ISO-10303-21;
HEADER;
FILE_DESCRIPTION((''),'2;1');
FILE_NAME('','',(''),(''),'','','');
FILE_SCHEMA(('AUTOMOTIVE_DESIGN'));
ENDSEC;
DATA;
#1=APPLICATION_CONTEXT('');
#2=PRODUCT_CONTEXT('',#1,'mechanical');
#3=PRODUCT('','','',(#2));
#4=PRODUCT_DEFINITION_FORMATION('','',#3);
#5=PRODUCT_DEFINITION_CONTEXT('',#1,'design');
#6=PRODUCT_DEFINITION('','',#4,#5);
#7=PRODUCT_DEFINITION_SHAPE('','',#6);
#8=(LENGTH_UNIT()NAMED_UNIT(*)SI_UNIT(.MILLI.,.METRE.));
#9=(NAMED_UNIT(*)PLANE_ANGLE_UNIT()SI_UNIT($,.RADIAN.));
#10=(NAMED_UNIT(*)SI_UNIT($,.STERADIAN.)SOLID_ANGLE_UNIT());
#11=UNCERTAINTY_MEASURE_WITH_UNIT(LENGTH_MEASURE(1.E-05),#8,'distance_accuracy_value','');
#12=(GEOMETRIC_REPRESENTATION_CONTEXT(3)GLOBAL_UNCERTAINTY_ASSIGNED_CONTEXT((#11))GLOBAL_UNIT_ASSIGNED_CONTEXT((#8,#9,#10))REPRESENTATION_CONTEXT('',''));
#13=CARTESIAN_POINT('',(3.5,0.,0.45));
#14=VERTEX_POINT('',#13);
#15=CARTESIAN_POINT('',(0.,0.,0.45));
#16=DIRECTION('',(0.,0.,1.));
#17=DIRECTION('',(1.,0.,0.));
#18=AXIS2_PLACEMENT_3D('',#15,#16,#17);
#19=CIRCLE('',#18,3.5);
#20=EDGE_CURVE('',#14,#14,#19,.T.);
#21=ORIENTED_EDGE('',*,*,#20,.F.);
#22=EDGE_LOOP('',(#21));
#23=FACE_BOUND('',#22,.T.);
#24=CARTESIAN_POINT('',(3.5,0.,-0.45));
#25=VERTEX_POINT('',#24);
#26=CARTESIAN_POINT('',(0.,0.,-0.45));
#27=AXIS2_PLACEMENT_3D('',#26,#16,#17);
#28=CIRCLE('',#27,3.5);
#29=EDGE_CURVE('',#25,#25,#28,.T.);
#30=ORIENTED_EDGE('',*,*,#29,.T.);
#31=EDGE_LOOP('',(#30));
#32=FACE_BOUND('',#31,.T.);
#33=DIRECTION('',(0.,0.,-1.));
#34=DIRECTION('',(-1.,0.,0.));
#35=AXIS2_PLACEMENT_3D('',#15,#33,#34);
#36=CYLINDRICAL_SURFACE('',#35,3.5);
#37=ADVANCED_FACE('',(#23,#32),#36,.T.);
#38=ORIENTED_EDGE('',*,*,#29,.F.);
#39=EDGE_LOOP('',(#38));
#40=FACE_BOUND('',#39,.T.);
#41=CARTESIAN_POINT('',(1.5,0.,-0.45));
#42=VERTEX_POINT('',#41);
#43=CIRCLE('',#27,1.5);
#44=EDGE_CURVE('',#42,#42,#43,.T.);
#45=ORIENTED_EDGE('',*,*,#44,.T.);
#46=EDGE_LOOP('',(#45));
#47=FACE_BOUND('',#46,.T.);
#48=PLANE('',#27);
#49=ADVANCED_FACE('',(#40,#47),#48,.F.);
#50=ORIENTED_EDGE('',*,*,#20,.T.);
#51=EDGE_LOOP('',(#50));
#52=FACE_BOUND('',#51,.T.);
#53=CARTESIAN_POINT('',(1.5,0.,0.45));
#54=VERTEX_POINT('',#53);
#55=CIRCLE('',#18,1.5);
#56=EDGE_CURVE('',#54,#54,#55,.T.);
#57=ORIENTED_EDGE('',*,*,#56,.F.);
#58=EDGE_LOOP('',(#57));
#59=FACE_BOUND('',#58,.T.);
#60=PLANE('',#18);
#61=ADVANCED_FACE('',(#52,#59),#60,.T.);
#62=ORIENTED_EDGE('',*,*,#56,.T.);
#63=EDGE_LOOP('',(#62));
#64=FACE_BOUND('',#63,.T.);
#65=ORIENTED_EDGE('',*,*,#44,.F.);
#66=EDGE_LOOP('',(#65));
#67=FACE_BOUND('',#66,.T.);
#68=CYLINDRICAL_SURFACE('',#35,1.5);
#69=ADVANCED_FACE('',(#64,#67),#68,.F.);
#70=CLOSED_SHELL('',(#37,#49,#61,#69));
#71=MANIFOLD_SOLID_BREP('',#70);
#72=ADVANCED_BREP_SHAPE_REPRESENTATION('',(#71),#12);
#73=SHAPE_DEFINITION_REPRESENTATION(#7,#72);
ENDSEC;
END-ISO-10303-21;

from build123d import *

# Parameters (mm, degrees)
SKETCH1_R           = 3.5
SKETCH1_R_2         = 1.5
BOSS_EXTRUDE1_DEPTH = 0.45


with BuildPart() as part:
    # Sketch1 → Boss-Extrude1 (new body, symmetric)
    with BuildSketch(Plane.XY):
        Circle(SKETCH1_R)
        Circle(SKETCH1_R_2, mode=Mode.SUBTRACT)
    extrude(amount=BOSS_EXTRUDE1_DEPTH, both=True)


solid = part.part
